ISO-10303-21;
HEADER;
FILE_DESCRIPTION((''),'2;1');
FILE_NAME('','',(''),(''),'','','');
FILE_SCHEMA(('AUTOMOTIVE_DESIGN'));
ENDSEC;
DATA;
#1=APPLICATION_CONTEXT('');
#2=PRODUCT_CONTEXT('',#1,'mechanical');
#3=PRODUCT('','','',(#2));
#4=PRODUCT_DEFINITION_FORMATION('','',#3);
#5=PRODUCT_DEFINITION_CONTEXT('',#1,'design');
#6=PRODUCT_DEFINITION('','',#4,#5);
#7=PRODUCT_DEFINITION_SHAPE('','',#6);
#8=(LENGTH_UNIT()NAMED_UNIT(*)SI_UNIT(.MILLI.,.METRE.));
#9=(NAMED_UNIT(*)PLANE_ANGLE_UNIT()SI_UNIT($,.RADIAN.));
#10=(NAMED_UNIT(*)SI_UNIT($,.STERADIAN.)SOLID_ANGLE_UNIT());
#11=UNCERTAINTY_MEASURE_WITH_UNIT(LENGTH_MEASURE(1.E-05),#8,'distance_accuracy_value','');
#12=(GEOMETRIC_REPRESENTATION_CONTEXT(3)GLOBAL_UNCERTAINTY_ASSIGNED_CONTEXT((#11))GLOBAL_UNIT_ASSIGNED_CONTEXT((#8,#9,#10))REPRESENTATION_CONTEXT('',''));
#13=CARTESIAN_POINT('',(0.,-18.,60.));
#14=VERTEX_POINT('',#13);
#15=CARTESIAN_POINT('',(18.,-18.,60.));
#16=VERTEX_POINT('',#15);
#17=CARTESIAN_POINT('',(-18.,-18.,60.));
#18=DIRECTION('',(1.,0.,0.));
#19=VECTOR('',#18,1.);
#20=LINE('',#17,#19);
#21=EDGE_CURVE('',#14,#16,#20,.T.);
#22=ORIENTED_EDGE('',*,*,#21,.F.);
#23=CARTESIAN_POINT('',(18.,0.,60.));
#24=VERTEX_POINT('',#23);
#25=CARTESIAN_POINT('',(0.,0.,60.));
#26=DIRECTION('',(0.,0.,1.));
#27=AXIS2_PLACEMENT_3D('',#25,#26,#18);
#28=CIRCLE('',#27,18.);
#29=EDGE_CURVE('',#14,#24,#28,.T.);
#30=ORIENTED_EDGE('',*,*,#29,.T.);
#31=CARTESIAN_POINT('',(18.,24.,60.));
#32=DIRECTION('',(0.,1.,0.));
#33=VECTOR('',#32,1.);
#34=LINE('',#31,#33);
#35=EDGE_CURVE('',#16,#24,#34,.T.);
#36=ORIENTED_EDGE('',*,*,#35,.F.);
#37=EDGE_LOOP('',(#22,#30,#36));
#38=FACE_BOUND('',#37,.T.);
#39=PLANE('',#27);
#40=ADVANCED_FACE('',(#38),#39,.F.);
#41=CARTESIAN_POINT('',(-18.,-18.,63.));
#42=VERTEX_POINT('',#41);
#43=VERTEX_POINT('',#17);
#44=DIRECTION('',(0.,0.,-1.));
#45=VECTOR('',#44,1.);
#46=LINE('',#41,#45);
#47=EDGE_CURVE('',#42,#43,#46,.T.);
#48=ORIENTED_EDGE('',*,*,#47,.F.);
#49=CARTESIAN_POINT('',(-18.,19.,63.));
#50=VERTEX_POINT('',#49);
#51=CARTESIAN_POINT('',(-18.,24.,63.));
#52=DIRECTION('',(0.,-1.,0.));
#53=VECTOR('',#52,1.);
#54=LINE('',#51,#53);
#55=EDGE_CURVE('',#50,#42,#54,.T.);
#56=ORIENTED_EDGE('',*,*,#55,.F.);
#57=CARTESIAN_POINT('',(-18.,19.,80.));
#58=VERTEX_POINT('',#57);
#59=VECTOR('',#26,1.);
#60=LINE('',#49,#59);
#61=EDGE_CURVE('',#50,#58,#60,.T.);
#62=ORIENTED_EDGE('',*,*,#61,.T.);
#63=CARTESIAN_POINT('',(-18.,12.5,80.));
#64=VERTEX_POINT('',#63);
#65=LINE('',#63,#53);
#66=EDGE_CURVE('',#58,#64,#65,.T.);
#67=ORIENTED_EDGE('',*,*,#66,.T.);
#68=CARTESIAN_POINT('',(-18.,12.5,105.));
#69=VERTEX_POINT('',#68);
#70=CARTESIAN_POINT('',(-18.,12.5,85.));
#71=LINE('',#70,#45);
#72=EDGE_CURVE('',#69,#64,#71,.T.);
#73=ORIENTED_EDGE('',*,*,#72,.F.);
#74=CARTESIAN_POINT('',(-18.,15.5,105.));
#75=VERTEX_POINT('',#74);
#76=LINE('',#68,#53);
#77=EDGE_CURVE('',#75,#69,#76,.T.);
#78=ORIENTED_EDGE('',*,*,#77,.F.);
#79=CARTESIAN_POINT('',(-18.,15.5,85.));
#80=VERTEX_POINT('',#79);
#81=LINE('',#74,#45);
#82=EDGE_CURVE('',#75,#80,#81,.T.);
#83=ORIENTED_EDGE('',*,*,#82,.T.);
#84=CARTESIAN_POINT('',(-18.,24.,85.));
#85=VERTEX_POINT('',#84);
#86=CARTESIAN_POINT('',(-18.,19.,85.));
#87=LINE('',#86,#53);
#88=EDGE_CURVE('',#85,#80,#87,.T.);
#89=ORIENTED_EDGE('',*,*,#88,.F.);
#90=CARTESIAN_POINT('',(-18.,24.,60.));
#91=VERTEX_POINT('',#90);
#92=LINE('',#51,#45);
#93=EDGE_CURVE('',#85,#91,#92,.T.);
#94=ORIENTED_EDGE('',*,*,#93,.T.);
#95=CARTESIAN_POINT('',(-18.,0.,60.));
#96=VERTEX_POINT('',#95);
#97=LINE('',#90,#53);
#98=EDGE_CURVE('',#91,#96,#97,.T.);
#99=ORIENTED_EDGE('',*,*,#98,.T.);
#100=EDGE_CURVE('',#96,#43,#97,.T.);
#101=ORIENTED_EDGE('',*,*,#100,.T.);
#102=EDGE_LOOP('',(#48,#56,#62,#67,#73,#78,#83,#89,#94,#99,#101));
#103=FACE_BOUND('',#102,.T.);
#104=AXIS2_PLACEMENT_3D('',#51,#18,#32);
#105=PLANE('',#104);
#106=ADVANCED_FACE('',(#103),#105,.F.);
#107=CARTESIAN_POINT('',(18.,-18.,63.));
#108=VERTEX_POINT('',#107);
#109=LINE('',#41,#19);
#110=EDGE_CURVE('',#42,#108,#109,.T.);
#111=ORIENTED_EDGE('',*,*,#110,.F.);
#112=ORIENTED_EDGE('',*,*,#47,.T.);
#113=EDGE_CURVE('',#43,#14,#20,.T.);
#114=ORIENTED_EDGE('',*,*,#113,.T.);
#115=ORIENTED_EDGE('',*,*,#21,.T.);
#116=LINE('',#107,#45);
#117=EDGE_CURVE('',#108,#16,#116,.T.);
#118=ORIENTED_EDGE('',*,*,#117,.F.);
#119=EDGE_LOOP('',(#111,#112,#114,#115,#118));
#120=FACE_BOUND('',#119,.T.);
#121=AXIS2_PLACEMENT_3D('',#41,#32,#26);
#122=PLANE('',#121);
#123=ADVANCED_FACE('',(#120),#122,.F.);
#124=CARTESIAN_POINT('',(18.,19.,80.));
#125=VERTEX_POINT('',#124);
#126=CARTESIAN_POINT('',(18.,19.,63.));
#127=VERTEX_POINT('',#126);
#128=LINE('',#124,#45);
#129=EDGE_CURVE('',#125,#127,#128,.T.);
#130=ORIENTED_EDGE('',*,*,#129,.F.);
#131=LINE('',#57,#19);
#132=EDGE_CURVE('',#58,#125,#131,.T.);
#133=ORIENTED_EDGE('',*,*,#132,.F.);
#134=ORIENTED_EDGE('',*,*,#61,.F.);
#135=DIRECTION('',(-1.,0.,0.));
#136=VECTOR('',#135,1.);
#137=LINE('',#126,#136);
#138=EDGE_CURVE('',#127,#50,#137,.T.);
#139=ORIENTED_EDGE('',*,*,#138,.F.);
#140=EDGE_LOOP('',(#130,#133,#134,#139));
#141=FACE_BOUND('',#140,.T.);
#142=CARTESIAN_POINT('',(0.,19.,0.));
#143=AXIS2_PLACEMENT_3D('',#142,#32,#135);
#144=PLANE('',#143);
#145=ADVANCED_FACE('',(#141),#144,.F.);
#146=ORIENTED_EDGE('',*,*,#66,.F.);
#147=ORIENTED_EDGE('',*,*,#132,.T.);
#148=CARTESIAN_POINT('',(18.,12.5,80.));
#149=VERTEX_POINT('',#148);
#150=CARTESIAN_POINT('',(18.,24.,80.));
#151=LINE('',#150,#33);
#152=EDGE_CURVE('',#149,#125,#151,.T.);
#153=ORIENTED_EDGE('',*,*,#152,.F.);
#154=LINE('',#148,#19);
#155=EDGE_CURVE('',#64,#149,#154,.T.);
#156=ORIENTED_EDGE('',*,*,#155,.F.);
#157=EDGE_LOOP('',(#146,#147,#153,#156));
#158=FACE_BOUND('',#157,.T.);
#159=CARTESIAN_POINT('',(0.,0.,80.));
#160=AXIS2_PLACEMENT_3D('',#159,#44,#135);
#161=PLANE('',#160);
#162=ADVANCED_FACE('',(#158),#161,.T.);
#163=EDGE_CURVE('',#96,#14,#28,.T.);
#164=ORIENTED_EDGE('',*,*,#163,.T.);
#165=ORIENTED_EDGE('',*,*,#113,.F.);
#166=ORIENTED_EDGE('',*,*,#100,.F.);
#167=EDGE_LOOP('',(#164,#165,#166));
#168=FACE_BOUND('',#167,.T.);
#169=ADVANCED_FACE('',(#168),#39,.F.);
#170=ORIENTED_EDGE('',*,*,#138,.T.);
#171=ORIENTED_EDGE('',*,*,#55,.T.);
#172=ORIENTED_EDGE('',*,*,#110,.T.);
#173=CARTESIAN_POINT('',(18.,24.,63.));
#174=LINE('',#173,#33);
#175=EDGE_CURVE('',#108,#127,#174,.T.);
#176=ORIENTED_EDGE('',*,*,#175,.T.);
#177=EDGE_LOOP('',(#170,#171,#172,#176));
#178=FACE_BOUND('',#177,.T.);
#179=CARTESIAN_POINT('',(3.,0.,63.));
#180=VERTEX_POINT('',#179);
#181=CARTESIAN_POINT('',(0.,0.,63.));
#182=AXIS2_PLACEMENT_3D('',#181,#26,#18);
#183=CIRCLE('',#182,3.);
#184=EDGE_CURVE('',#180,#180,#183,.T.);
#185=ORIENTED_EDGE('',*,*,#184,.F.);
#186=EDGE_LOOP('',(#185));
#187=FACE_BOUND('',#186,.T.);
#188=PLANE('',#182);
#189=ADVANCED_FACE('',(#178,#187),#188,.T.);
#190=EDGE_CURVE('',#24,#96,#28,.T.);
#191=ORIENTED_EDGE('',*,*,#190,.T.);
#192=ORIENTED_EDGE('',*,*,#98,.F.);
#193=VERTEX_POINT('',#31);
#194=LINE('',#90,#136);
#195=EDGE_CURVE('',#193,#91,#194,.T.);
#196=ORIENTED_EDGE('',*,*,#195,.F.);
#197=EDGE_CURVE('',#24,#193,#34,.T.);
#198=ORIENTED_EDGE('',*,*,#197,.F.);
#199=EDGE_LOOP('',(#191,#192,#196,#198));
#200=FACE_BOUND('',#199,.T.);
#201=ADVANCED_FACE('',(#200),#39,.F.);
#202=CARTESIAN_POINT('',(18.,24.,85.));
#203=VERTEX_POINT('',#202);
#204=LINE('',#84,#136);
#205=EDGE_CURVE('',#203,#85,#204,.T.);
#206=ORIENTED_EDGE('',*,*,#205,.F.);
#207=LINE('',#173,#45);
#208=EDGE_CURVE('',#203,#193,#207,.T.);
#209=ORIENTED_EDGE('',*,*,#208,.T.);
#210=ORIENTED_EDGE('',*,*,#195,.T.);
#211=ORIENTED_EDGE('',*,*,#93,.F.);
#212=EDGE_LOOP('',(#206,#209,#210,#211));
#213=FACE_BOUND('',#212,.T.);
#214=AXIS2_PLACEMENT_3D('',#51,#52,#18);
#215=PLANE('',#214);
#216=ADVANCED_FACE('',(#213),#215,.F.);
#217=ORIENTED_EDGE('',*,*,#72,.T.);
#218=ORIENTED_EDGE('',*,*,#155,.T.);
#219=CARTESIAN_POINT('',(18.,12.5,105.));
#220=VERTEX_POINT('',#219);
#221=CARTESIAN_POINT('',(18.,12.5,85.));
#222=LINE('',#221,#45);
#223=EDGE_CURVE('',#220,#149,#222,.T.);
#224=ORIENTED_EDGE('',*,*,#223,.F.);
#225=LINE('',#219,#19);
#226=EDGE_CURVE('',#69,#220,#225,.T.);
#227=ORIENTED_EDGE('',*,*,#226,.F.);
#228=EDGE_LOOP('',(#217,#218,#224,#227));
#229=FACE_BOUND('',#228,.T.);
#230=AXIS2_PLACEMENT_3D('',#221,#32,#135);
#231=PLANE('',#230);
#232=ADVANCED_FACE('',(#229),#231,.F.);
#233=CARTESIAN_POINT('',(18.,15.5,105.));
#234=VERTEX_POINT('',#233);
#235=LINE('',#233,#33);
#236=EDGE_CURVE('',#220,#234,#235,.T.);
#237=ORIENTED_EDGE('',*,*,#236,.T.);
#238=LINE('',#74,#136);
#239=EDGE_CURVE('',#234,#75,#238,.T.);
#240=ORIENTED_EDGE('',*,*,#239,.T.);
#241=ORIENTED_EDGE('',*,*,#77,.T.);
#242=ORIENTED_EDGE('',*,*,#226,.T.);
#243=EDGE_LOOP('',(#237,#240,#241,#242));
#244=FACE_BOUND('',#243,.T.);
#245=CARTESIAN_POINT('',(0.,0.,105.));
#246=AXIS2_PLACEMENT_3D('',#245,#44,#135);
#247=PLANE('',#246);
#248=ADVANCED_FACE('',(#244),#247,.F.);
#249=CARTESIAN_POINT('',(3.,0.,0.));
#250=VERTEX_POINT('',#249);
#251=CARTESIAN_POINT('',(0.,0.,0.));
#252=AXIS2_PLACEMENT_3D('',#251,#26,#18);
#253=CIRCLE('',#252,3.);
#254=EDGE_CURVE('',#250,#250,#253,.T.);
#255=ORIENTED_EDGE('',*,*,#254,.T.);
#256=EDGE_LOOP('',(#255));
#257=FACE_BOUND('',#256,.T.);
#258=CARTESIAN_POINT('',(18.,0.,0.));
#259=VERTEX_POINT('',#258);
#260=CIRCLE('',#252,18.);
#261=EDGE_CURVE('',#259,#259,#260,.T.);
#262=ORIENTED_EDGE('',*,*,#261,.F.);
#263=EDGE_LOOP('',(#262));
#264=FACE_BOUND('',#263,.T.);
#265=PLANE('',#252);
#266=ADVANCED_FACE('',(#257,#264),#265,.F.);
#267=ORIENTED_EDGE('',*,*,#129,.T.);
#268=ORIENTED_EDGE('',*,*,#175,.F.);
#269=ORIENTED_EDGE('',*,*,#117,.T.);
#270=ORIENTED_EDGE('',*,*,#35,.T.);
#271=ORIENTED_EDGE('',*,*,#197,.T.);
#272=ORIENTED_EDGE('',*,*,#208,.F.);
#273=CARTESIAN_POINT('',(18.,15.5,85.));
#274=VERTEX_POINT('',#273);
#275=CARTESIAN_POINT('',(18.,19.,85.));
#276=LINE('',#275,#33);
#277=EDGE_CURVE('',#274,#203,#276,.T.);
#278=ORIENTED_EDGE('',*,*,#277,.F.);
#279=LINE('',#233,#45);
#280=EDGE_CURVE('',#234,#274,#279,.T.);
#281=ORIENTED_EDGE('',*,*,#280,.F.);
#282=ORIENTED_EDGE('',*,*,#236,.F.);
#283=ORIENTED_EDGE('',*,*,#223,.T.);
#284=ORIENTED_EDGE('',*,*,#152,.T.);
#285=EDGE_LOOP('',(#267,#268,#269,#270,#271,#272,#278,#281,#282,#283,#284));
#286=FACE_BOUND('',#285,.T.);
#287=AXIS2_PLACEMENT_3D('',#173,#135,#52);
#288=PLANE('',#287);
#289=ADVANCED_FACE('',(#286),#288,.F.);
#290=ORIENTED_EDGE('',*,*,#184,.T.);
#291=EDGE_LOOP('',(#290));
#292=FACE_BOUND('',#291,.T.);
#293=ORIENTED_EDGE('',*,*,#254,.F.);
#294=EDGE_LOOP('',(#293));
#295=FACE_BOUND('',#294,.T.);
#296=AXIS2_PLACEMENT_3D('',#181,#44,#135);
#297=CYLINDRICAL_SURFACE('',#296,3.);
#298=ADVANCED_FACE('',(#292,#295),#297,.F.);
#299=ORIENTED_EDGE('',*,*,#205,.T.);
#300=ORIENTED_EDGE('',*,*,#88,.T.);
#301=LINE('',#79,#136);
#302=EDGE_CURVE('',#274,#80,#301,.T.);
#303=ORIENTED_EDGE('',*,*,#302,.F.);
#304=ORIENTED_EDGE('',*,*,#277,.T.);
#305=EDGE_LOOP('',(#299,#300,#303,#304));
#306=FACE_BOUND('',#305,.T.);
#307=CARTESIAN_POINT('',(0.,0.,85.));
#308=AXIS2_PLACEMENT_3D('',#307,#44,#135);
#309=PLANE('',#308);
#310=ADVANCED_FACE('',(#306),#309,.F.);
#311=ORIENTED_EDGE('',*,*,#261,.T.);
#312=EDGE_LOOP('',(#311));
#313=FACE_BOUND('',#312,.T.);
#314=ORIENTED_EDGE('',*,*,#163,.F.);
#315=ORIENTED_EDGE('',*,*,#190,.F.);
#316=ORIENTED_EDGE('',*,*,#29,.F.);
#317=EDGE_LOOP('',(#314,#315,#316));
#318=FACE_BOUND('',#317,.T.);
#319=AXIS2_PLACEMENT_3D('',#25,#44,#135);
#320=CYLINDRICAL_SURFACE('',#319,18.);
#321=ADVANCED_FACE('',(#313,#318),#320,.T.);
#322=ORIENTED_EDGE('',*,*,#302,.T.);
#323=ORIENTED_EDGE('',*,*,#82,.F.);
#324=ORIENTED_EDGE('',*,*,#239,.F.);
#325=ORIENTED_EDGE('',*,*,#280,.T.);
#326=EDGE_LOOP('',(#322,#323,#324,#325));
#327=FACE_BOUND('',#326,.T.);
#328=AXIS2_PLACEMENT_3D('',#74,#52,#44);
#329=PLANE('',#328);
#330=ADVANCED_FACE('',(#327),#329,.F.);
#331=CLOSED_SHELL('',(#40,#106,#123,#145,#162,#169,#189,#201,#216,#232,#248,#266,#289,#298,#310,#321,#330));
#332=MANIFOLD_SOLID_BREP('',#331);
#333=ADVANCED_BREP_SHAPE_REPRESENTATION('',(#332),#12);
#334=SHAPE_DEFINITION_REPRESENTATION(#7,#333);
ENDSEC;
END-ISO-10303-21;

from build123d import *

# Parameters (mm, degrees)
SKETCH2_R               = 18
BOSS_EXTRUDE1_DEPTH     = 60
SKETCH4_W               = 36
SKETCH4_H               = 42
BOSS_EXTRUDE2_DEPTH     = 3
CUT_EXTRUDE1_DEPTH      = 3
CUT_EXTRUDE1_DEPTH_BACK = 60
SKETCH3_R               = 3
SKETCH6_W               = 36
SKETCH6_H               = 17
BOSS_EXTRUDE3_DEPTH     = 5
BOSS_EXTRUDE4_DEPTH     = 5
SKETCH8_W               = 36
SKETCH8_H               = 3
BOSS_EXTRUDE5_DEPTH     = 20


with BuildPart() as part:
    # Sketch2 → Boss-Extrude1 (new body)
    with BuildSketch(Plane.XY):
        Circle(SKETCH2_R)
    extrude(amount=BOSS_EXTRUDE1_DEPTH)

    # Sketch4 → Boss-Extrude2 (add)
    with BuildSketch(Plane.XY.offset(60)):
        with Locations((0, 3)):
            Rectangle(SKETCH4_W, SKETCH4_H)
    extrude(amount=BOSS_EXTRUDE2_DEPTH)

    # Sketch3 → Cut-Extrude1 (cut, two sides: drawn at the far end of the back side and taken through both)
    with BuildSketch(Plane.XY.offset(60).offset(-CUT_EXTRUDE1_DEPTH_BACK)):
        Circle(SKETCH3_R)
    extrude(amount=CUT_EXTRUDE1_DEPTH + CUT_EXTRUDE1_DEPTH_BACK, mode=Mode.SUBTRACT)

    # Sketch6 → Boss-Extrude3 (add)
    with BuildSketch(Plane(origin=(0, 24, 0), x_dir=(1, 0, 0), z_dir=(0, 1, 0))):
        with Locations((0, -71.5)):
            Rectangle(SKETCH6_W, SKETCH6_H)
    extrude(amount=-BOSS_EXTRUDE3_DEPTH)

    # Sketch7 → Boss-Extrude4 (add)
    with BuildSketch(Plane.XY.offset(80)):
        Polygon((18, 19), (18, 12.5), (-18, 12.5), (-18, 19), (-18, 24), (18, 24), align=None)
    extrude(amount=BOSS_EXTRUDE4_DEPTH)

    # Sketch8 → Boss-Extrude5 (add)
    with BuildSketch(Plane.XY.offset(85)):
        with Locations((0, 14)):
            Rectangle(SKETCH8_W, SKETCH8_H)
    extrude(amount=BOSS_EXTRUDE5_DEPTH)


solid = part.part
